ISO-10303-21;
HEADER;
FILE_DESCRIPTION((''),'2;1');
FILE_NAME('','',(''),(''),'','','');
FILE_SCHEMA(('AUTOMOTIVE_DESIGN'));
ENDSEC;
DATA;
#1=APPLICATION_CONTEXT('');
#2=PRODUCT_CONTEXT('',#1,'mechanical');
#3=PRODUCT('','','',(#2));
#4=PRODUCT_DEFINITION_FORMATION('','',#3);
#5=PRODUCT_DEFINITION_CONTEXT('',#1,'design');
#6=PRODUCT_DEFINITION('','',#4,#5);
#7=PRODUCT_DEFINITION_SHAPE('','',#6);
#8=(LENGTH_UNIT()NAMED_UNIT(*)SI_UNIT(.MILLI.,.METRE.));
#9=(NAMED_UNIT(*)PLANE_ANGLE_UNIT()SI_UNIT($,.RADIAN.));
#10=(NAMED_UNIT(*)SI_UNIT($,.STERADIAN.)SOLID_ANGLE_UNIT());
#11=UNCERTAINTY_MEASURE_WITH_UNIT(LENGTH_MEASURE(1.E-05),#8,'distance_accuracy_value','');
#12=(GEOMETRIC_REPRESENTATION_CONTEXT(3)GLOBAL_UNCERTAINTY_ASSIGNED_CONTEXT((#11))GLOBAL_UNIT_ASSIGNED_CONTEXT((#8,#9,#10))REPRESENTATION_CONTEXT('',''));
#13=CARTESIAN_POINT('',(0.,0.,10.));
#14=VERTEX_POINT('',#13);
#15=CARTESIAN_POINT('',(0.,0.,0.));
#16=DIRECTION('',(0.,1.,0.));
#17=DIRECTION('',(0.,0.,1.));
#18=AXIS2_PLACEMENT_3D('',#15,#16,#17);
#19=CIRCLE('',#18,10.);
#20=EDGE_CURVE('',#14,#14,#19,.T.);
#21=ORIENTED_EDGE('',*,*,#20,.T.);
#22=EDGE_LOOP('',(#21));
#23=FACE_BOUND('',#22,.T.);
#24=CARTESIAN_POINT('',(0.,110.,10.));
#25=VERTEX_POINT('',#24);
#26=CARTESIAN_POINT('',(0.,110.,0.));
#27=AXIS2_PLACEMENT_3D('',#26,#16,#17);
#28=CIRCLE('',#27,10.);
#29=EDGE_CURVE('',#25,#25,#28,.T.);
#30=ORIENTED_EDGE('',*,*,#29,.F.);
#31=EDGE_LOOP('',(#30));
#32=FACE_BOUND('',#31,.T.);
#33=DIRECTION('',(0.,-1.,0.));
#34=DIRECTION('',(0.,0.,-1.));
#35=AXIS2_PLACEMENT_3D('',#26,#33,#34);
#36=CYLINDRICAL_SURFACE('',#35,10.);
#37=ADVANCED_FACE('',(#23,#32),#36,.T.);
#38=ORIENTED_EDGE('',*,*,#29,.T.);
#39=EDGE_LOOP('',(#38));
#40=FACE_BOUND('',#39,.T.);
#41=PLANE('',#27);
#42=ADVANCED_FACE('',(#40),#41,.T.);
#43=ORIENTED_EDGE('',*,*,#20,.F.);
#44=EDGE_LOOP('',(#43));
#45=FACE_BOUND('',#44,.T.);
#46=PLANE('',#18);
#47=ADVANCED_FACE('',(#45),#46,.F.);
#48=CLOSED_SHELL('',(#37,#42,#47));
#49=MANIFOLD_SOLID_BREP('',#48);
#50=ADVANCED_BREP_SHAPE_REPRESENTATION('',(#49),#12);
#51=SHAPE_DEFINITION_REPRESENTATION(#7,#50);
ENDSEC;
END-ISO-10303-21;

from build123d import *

# Parameters (mm, degrees)
SKETCH1_R           = 10
BOSS_EXTRUDE1_DEPTH = 110


with BuildPart() as part:
    # Sketch1 → Boss-Extrude1 (new body)
    with BuildSketch(Plane(origin=(0, 0, 0), x_dir=(1, 0, 0), z_dir=(0, 1, 0))):
        Circle(SKETCH1_R)
    extrude(amount=BOSS_EXTRUDE1_DEPTH)


solid = part.part
